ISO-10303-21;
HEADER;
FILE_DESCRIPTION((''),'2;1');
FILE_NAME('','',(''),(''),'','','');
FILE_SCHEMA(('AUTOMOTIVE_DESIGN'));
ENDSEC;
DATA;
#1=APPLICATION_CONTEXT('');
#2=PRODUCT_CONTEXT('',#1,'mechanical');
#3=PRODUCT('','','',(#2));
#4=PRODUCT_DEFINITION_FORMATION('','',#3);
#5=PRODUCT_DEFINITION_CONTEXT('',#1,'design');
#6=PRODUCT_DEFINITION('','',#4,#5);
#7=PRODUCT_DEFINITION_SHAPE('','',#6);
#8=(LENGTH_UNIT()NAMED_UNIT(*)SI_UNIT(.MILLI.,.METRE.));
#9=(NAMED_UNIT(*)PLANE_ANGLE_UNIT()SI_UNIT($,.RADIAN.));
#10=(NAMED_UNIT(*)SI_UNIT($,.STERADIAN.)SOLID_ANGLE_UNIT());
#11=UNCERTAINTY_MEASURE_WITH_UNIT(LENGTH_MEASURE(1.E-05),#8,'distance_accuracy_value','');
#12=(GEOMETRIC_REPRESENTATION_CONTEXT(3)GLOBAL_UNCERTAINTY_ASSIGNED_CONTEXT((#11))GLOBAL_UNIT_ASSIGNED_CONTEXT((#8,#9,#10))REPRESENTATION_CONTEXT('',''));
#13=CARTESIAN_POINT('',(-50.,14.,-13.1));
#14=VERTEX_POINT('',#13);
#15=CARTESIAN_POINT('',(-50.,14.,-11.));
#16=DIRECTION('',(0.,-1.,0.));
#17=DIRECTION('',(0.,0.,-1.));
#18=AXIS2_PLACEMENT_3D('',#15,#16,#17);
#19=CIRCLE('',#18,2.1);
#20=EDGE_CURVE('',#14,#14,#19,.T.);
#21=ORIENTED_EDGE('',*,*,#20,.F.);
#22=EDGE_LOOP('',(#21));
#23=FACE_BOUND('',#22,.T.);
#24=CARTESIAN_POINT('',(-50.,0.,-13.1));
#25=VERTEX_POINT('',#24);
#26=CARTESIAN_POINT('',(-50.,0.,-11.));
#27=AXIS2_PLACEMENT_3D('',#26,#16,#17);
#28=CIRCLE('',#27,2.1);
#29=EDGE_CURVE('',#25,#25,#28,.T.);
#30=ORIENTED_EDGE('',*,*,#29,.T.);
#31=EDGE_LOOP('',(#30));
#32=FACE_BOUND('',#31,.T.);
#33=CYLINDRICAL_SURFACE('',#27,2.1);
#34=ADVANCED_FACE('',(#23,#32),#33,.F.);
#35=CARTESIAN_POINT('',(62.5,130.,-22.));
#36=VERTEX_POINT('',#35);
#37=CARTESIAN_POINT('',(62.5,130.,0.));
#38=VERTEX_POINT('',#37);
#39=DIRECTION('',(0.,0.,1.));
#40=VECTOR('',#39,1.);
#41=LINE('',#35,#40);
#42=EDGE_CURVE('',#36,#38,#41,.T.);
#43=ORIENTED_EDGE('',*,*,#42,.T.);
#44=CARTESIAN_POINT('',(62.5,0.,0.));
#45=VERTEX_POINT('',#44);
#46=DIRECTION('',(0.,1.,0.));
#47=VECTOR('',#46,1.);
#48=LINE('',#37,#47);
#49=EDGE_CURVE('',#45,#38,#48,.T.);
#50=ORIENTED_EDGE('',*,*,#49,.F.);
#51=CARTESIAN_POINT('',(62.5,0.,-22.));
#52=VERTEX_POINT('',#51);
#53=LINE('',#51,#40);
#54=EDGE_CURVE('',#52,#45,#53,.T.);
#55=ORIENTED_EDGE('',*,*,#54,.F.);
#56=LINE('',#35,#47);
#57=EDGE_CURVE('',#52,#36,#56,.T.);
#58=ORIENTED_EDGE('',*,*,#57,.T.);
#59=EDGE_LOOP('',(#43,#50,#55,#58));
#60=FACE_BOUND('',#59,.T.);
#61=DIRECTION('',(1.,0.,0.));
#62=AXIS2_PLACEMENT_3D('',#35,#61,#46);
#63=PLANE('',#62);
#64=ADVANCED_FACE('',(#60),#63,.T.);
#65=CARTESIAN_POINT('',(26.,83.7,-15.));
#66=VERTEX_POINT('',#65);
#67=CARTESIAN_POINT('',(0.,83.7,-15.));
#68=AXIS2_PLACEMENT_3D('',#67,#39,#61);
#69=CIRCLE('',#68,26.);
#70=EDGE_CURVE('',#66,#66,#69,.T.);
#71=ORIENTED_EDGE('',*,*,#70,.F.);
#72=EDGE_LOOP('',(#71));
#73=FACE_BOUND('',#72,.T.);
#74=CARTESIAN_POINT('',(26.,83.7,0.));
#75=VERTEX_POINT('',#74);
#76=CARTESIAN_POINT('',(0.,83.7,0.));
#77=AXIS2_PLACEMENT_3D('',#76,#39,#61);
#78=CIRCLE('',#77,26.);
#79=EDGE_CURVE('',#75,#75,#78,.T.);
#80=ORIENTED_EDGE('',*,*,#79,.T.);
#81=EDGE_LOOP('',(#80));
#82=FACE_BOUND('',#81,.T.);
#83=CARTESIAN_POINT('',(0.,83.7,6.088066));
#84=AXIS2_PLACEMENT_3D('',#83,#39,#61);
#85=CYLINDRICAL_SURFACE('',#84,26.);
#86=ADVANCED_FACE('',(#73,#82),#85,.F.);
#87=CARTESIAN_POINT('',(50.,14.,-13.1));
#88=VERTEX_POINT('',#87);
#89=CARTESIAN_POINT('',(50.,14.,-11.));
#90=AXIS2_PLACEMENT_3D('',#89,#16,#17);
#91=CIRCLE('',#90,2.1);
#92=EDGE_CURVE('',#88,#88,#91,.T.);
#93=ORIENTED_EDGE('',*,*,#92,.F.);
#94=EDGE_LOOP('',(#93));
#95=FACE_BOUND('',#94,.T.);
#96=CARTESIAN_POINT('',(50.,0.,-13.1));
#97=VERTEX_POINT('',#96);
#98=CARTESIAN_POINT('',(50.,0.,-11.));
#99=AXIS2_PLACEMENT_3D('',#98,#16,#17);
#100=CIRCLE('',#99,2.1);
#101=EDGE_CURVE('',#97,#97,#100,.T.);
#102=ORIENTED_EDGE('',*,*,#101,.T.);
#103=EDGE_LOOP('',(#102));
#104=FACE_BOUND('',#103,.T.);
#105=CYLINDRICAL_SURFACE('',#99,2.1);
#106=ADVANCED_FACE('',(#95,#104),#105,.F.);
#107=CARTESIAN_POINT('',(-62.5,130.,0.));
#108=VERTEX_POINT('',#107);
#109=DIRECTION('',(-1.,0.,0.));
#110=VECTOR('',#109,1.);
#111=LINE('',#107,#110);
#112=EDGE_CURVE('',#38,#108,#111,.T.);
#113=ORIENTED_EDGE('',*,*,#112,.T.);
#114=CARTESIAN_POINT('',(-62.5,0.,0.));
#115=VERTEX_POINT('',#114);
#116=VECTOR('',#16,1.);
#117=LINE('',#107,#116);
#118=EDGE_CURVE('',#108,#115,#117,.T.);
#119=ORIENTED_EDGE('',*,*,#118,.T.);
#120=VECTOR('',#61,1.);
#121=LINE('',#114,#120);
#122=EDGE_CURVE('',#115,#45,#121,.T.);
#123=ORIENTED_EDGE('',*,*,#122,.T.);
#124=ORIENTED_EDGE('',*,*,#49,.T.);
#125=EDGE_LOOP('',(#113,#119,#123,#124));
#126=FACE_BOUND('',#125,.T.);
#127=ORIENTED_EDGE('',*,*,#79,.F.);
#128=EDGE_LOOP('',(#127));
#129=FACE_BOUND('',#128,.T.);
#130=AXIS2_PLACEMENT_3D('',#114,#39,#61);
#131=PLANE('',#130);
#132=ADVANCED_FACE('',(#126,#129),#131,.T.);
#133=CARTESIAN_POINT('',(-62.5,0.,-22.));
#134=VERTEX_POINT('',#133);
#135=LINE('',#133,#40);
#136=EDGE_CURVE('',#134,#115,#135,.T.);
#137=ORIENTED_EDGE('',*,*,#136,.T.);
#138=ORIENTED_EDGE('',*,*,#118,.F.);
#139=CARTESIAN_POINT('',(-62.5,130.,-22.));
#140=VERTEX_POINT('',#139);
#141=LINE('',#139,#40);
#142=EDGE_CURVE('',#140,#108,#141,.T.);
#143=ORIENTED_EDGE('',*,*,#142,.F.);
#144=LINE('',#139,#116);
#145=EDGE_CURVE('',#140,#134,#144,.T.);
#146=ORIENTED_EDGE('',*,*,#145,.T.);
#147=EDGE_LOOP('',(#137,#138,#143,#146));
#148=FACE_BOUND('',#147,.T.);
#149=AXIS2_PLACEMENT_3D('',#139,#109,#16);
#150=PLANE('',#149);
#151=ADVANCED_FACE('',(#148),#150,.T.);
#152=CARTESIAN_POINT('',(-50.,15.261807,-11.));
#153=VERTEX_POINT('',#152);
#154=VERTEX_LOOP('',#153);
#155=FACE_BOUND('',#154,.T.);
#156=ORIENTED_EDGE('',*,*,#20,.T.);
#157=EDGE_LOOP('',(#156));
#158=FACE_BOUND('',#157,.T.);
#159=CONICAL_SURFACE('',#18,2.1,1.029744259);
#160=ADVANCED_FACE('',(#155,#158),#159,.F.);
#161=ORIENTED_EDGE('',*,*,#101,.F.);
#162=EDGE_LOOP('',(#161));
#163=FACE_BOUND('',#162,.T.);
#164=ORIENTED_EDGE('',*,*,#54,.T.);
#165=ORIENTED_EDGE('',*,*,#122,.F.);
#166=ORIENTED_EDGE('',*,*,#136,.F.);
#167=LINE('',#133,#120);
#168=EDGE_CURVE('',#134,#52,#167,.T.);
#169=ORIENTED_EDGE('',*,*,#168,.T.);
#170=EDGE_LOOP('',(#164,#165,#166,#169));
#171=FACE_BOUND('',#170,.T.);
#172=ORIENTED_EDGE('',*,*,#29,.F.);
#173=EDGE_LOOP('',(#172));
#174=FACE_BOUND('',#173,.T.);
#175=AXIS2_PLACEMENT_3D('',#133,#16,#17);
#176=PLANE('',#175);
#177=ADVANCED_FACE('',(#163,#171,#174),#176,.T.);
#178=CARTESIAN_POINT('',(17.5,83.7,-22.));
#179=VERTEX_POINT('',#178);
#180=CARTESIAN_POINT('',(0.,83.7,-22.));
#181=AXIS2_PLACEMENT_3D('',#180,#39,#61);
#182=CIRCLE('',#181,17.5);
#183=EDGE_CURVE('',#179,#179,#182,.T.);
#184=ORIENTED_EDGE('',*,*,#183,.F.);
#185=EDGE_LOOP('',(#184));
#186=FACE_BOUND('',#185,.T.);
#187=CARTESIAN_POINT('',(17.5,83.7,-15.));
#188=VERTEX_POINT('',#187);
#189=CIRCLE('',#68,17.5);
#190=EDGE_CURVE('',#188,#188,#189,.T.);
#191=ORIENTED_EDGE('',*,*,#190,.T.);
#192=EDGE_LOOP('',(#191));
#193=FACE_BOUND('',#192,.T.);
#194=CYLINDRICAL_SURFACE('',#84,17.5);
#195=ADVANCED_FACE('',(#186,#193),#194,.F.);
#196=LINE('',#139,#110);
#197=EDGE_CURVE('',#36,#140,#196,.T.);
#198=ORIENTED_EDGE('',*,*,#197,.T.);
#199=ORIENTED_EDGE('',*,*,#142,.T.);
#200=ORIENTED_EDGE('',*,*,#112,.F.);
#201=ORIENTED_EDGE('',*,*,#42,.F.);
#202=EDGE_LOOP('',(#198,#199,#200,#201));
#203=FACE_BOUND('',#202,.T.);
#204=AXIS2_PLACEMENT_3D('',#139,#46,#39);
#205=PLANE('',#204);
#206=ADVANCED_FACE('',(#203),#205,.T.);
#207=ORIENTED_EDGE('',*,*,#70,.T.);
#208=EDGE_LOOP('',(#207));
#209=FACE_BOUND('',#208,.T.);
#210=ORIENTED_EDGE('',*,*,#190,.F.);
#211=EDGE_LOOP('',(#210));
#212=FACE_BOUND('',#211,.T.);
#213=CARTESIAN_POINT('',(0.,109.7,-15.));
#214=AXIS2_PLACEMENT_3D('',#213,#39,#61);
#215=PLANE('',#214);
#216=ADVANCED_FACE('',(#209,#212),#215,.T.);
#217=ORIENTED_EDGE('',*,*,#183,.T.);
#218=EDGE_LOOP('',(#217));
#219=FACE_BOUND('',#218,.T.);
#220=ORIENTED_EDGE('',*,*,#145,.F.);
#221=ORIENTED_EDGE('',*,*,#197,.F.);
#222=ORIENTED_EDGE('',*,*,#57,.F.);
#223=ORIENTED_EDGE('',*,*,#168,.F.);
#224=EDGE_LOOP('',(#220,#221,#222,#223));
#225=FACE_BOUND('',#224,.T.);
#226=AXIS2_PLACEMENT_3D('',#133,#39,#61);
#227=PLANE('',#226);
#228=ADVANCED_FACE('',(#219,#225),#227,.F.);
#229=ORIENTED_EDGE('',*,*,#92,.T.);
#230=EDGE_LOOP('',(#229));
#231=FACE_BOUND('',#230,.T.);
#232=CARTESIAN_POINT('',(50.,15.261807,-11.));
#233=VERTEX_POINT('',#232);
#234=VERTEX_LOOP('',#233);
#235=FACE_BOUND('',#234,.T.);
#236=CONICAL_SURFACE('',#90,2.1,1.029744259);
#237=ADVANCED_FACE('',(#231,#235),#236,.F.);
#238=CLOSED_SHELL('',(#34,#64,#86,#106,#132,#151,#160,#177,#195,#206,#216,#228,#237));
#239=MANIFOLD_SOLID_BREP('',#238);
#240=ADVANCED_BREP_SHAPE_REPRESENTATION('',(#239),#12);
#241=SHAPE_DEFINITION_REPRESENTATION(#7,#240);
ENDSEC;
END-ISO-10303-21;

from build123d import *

# Parameters (mm, degrees)
SKETCH1_W                 = 125
SKETCH1_H                 = 130
BOSS_EXTRUDE1_DEPTH       = 22
M5X0_8_TAPPED_HOLE1_D     = 4.2
M5X0_8_TAPPED_HOLE1_DEPTH = 14
M5X0_8_TAPPED_HOLE1_TIP   = 1.2618073


with BuildPart() as part:
    # Sketch1 → Boss-Extrude1 (new body)
    with BuildSketch(Plane.XY):
        with Locations((0, 65)):
            Rectangle(SKETCH1_W, SKETCH1_H)
    extrude(amount=-BOSS_EXTRUDE1_DEPTH)

    # Sketch2 → Cut-Revolve1 (revolve, cut)
    with BuildSketch(Plane(origin=(0, 0, 0), x_dir=(0, 0, -1), z_dir=(1, 0, 0)), mode=Mode.PRIVATE) as cut_revolve1_sk:
        Polygon((0, 109.7), (15, 109.7), (15, 101.2), (22, 101.2), (22, 83.7), (0, 83.7), align=None)
    revolve(cut_revolve1_sk.sketch.rotate(Axis((0, 83.7, 6.088066236), (0, 0, -1)), 90), axis=Axis((0, 83.7, 6.088066236), (0, 0, -1)), mode=Mode.SUBTRACT)

    # M5x0.8 Tapped Hole1
    with Locations(Plane.XZ):
        with Locations((-50, -11), (50, -11)):
            Hole(M5X0_8_TAPPED_HOLE1_D / 2, depth=M5X0_8_TAPPED_HOLE1_DEPTH)
            with Locations((0, 0, -(M5X0_8_TAPPED_HOLE1_DEPTH + M5X0_8_TAPPED_HOLE1_TIP / 2))):  # 118° drill point
                Cone(0, M5X0_8_TAPPED_HOLE1_D / 2, M5X0_8_TAPPED_HOLE1_TIP, mode=Mode.SUBTRACT)


solid = part.part
